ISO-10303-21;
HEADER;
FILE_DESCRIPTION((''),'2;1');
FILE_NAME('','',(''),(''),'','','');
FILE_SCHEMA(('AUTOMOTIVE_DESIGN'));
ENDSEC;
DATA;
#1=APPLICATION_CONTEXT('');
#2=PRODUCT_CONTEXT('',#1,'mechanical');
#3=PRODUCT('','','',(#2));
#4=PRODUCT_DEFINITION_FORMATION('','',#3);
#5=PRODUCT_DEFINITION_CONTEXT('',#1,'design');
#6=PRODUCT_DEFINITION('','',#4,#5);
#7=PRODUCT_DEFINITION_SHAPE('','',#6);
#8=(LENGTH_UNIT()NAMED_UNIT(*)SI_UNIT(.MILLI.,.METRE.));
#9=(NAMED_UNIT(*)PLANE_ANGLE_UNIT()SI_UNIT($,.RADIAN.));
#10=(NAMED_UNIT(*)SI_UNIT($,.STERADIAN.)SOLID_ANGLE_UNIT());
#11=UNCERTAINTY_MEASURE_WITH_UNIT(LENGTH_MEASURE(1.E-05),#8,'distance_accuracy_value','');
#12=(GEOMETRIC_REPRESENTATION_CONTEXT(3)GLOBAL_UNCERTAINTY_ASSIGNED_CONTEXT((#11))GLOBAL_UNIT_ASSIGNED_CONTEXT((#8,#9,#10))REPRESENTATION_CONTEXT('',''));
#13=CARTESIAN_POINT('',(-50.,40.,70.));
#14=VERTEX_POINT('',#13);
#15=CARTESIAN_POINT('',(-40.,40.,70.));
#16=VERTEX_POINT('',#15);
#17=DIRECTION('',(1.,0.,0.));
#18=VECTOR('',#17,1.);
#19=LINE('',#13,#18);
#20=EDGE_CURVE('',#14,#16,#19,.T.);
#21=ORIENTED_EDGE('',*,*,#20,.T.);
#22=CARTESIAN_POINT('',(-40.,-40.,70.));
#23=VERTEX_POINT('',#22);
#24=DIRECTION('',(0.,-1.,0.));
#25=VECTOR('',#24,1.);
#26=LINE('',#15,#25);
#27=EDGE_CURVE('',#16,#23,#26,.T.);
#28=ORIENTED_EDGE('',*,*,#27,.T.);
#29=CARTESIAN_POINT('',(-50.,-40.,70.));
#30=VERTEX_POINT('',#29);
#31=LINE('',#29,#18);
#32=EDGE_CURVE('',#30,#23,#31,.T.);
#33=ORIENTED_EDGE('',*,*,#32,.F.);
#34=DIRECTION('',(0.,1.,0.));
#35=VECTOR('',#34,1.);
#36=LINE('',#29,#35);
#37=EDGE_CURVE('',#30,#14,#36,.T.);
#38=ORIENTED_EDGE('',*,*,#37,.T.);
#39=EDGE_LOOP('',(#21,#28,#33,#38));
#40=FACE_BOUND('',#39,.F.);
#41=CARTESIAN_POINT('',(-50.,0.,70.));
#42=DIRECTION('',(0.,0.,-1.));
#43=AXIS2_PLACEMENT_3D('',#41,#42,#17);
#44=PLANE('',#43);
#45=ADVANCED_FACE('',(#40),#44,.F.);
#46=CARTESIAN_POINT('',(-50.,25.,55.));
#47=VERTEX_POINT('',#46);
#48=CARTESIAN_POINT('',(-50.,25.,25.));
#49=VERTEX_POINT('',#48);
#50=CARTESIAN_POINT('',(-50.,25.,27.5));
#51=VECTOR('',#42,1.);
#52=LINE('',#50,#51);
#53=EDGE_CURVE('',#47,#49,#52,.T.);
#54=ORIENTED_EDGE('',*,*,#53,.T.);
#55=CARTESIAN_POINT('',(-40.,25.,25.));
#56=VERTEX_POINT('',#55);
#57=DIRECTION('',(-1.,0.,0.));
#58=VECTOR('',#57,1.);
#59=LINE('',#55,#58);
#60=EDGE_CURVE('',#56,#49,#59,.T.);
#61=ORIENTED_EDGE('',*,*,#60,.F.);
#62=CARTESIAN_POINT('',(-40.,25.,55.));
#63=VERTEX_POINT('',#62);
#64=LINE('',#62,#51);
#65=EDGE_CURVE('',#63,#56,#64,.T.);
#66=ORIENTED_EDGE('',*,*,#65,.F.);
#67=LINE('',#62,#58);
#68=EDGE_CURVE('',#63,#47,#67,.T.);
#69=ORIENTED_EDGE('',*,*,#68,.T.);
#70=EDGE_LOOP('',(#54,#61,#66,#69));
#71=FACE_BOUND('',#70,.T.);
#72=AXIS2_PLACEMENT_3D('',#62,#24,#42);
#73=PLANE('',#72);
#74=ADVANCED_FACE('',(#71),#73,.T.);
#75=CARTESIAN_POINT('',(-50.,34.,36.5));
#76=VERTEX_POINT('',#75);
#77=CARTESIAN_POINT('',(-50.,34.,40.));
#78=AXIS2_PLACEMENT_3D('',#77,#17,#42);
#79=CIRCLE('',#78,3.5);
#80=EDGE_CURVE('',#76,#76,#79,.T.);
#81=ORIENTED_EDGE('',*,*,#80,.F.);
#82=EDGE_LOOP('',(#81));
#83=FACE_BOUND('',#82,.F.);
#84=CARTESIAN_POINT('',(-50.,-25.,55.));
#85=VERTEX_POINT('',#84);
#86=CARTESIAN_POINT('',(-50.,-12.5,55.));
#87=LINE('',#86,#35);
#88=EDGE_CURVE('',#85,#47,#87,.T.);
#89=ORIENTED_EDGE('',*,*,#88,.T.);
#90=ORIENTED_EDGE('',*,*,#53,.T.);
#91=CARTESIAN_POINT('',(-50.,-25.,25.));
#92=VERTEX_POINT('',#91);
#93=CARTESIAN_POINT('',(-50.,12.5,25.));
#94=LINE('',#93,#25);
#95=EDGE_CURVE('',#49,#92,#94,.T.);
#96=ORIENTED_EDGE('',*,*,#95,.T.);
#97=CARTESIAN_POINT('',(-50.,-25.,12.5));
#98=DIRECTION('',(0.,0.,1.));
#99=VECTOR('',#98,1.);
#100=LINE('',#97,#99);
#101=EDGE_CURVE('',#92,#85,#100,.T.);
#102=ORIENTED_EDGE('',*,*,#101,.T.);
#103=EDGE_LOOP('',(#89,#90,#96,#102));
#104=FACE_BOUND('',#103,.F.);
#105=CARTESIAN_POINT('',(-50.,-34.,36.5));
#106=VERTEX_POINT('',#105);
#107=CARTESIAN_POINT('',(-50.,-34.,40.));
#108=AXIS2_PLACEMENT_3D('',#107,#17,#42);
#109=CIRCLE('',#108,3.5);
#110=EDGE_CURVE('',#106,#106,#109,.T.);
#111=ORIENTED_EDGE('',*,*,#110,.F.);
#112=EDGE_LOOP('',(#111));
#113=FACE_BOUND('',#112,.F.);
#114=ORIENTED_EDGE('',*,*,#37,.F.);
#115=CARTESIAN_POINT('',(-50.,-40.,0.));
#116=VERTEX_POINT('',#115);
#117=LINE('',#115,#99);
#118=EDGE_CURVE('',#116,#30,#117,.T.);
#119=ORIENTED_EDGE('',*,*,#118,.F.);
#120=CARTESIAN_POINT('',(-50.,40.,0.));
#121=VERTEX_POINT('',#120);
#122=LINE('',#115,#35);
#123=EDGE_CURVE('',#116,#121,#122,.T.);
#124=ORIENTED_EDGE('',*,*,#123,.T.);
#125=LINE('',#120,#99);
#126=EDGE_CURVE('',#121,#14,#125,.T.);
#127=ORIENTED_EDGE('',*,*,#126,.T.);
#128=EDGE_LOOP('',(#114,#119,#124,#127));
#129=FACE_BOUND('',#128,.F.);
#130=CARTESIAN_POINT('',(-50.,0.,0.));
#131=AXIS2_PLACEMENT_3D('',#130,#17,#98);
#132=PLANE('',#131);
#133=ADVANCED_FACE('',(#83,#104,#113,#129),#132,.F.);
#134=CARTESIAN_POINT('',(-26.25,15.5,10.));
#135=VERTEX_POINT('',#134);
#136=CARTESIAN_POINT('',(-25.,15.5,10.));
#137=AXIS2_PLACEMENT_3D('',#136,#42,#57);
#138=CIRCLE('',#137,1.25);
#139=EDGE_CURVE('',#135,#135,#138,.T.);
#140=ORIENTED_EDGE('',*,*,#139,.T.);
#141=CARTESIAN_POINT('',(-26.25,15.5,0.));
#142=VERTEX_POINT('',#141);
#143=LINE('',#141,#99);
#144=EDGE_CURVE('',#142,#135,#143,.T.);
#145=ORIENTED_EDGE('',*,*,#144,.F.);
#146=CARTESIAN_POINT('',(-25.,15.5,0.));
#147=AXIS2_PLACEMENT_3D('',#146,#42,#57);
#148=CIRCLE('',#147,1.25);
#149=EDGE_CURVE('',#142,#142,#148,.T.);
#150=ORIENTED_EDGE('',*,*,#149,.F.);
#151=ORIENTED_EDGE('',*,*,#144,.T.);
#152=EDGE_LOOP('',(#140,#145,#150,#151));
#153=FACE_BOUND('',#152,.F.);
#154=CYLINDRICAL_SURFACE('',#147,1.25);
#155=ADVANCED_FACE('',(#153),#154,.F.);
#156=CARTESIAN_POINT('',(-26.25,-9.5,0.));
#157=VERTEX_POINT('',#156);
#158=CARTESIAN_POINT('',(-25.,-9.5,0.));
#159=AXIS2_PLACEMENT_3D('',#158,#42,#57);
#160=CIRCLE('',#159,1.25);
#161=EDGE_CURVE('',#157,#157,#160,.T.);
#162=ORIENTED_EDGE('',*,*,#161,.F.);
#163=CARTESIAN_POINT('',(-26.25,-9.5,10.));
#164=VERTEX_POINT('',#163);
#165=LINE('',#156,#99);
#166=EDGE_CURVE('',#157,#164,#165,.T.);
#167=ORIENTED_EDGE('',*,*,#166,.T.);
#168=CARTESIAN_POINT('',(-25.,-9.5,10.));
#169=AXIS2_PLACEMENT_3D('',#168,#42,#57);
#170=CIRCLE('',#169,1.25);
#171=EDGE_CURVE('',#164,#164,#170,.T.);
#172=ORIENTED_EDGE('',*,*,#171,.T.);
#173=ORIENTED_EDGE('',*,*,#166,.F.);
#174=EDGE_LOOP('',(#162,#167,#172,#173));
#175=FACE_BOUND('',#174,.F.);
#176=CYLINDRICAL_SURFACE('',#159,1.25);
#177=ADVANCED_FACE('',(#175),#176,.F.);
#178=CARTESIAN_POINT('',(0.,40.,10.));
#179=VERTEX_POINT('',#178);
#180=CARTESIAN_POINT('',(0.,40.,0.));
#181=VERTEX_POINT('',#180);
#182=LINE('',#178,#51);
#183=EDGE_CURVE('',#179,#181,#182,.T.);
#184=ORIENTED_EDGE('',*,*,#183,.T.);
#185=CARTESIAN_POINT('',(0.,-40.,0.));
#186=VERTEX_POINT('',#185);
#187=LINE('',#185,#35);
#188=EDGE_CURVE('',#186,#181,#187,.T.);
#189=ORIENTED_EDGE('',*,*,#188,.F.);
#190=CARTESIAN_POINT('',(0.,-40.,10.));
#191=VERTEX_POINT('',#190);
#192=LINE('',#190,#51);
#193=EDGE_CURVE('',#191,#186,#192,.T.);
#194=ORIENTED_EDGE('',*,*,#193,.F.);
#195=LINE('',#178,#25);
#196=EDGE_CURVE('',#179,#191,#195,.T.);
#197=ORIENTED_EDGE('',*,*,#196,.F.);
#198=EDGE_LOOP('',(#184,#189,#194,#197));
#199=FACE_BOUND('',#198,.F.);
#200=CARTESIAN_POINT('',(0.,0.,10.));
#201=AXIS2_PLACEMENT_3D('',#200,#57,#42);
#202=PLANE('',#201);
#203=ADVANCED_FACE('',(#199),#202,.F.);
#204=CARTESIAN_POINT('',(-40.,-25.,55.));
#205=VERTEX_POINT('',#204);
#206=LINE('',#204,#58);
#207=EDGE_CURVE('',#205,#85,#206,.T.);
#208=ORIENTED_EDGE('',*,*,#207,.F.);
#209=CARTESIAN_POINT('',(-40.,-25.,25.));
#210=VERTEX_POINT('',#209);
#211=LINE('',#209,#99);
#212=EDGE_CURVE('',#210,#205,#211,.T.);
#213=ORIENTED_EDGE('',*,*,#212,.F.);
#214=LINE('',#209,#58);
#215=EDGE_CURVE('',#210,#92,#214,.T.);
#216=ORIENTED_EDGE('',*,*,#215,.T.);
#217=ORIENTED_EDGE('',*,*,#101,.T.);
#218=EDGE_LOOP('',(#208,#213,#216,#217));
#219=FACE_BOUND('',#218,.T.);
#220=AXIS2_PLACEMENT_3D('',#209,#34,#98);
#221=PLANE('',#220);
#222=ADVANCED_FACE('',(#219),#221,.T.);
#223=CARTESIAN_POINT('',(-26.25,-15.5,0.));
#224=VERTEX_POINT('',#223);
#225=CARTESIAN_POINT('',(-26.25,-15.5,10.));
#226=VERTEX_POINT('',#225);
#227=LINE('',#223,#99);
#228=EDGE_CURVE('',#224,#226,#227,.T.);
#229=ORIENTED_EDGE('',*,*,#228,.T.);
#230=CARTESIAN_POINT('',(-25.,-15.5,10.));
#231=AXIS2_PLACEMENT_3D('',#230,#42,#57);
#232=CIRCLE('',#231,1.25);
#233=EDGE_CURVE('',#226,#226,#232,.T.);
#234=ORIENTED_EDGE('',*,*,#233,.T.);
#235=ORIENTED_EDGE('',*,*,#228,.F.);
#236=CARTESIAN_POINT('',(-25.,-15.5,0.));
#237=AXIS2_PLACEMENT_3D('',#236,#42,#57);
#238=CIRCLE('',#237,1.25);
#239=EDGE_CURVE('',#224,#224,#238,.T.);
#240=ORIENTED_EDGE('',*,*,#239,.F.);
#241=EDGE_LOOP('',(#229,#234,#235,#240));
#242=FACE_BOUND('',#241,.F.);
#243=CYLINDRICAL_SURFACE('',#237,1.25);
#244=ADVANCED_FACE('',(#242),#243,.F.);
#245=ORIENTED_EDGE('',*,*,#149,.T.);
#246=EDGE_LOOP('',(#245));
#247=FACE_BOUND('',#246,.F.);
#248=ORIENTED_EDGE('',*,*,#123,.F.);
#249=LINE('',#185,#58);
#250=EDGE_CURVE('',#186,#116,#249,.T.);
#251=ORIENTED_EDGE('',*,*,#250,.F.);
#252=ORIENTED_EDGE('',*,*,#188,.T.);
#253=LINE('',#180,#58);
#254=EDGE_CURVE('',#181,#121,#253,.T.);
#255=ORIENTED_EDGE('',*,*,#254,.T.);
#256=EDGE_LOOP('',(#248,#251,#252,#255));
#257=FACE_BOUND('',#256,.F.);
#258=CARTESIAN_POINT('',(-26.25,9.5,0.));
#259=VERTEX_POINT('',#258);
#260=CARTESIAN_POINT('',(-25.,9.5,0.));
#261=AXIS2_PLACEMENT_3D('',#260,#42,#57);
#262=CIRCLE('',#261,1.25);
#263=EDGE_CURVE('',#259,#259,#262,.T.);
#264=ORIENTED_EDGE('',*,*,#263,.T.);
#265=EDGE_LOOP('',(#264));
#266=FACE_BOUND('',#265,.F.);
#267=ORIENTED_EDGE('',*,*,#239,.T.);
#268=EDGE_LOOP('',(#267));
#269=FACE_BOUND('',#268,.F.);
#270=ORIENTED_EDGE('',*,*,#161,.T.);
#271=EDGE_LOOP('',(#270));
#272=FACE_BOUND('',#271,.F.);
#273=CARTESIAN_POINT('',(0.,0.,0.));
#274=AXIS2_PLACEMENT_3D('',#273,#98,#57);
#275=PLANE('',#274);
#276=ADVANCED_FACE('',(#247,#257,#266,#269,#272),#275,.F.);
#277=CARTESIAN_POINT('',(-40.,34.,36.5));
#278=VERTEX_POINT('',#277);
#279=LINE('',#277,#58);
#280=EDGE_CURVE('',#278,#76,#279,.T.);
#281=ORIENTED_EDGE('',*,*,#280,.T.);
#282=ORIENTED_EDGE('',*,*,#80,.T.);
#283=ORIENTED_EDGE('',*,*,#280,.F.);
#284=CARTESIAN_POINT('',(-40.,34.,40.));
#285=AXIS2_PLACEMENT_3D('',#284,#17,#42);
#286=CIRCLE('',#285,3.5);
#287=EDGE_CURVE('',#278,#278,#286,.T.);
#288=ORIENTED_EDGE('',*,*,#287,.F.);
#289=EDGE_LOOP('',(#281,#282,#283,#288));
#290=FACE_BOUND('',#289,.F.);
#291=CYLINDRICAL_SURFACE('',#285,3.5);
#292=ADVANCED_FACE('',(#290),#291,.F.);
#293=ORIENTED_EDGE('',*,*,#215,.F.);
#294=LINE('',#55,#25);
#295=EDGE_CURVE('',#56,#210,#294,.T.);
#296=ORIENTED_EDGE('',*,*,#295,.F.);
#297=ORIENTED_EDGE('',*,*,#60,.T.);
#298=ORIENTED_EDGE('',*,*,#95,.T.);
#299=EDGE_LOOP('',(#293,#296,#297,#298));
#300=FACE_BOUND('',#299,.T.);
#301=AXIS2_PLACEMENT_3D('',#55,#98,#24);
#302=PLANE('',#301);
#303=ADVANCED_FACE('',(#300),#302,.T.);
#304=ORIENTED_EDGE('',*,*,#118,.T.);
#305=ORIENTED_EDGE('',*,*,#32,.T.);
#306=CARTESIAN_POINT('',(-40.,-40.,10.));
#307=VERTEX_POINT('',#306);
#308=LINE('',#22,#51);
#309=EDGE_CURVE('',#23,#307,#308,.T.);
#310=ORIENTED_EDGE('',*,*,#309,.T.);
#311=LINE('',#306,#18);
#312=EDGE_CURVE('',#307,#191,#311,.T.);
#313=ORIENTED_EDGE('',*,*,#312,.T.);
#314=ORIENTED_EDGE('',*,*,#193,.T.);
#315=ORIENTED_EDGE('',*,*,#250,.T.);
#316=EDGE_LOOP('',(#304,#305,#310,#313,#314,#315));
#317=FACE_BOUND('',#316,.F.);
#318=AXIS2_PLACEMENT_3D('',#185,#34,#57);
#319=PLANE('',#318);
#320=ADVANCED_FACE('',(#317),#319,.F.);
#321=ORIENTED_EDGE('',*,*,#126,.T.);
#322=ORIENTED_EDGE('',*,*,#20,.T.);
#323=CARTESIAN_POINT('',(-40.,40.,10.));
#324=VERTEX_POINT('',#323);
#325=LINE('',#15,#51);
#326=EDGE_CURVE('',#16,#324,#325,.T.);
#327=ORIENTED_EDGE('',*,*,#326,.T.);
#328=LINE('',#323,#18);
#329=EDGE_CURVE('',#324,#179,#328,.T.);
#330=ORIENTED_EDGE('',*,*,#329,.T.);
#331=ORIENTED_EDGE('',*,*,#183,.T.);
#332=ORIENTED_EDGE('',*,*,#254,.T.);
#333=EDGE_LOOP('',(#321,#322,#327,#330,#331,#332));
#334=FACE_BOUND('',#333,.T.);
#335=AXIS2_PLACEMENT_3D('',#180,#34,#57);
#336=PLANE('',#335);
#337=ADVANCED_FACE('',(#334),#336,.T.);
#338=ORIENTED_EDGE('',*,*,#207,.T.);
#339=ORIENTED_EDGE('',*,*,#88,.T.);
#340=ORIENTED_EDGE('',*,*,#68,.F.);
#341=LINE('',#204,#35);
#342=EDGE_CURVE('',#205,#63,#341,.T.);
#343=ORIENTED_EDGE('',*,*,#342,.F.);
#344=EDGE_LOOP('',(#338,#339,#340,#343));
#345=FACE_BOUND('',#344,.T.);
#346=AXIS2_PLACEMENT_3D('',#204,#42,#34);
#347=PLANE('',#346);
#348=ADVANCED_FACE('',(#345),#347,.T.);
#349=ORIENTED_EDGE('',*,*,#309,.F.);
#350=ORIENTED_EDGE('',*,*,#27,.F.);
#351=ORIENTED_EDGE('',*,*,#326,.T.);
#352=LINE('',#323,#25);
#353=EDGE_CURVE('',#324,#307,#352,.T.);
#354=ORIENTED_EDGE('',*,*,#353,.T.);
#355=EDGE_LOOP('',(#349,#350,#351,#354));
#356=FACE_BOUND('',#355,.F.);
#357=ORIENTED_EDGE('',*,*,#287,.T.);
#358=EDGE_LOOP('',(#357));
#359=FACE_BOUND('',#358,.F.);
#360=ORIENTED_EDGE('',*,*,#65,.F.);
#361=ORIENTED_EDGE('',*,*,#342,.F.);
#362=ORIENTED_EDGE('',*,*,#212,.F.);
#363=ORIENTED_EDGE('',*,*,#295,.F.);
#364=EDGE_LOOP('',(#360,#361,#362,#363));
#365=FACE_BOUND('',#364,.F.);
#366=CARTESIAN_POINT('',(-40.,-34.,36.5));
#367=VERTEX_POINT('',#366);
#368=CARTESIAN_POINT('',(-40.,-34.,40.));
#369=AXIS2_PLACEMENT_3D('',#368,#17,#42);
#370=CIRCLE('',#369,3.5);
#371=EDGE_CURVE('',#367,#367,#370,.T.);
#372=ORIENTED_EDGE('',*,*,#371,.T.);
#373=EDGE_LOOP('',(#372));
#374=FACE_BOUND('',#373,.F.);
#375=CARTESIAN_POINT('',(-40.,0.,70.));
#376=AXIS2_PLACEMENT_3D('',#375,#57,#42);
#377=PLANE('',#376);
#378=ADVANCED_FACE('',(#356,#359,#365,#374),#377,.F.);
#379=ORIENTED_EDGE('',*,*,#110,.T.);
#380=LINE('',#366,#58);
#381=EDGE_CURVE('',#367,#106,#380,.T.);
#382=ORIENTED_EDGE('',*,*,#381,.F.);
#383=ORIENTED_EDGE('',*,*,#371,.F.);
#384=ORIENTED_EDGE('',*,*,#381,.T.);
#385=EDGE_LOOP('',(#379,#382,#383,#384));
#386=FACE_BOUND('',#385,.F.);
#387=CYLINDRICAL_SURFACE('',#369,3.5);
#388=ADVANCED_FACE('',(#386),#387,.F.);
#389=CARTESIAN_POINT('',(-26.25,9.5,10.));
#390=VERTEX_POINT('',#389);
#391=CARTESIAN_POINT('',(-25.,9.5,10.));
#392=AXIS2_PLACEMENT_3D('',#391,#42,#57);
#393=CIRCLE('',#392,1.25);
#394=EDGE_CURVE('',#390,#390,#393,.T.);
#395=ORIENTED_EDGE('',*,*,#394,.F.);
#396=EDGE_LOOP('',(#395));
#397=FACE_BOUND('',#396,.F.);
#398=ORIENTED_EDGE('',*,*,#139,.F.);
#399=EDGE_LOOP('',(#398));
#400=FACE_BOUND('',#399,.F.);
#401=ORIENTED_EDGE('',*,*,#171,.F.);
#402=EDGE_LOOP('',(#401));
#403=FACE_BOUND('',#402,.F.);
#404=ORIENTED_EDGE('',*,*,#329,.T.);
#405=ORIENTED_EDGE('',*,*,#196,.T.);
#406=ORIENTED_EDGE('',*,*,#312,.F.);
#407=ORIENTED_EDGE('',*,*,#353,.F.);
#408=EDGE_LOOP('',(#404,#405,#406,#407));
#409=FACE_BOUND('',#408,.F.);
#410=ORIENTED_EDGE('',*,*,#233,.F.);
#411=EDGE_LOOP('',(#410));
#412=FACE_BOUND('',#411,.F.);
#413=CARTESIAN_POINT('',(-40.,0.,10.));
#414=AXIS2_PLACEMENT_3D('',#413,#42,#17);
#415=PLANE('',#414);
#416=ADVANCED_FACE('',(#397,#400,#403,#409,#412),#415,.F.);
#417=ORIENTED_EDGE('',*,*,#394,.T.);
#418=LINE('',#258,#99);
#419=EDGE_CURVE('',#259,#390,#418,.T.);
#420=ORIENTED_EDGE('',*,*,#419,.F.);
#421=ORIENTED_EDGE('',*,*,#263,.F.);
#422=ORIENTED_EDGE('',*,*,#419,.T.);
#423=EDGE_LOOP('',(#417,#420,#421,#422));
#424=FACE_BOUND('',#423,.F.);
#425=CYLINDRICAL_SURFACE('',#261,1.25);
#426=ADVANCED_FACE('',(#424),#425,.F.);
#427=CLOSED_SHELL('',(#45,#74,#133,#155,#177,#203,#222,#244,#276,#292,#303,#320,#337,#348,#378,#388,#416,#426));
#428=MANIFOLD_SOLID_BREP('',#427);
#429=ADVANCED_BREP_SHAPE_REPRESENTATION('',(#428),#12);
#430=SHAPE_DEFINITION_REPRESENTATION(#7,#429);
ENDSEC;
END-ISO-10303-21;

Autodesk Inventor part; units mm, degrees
ref_plane "YZ Plane" through (0, 0, 0) normal (1, 0, 0) x (0, 1, 0)
ref_plane "XZ Plane" through (0, 0, 0) normal (0, 1, 0) x (-1, 0, 0)
ref_plane "XY Plane" through (0, 0, 0) normal (0, 0, 1) x (1, 0, 0)
sketch "Sketch1" plane through (0, 0, 0) normal (0, 1, 0) x (-1, 0, 0)
  line L0 (0, 0) -> (50, 0)
  line L1 (50, 0) -> (50, 3.3201)
  line L2 (40, 10) -> (0, 10)
  line L3 (0, 10) -> (0, 0)
  line L4 (50, 70) -> (40, 70)
  line L5 (40, 70) -> (40, 10)
  line L6 (50, 3.3201) -> (50, 70)
  dimension "d0" = 50
  dimension "d1" = 70
  dimension "d2" = 10
  dimension "d3" = 10
extrude "Extrusion1" add sketch "Sketch1" along normal mid plane 80
sketch "Sketch2" plane through (-40, -40, 10) normal (1, 0, 0) x (0, 0, -1)
  line L0 (-45, 65) -> (-15, 65)
  line L1 (-15, 65) -> (-15, 15)
  line L2 (-15, 15) -> (-45, 15)
  line L3 (-45, 15) -> (-45, 65)
  line L4 (-60, 80) -> (0, 80) projected
  line L5 (-60, 0) -> (-60, 80) projected
  point P0 (10, 40)
  dimension "d6" = 30
  dimension "d7" = 50
  dimension "d8" = 15
  dimension "d9" = 15
extrude "Extrusion2" cut sketch "Sketch2" against normal through all
sketch "Sketch3" plane through (-40, -40, 10) normal (1, 0, 0) x (0, 0, -1)
  circle A0 centre (-30, 74) radius 3.5
  circle A1 centre (-30, 6) radius 3.5
  line L0 (-60, 0) -> (-60, 80) projected
  line L1 (-60, 80) -> (0, 80) projected
  point P0 (10, 40)
  dimension "d12" = 7
  dimension "d13" = 7
  dimension "d14" = 30
  dimension "d15" = 68
  dimension "d16" = 6
  dimension "d17" = 30
extrude "Extrusion3" cut sketch "Sketch3" against normal through all
sketch "Sketch4" plane through (0, 40, 0) normal (0, 0, -1) x (-1, 0, 0)
  circle A0 centre (25, -24.5) radius 1.25
  circle A1 centre (25, -30.5) radius 1.25
  circle A2 centre (25, -49.5) radius 1.25
  circle A3 centre (25, -55.5) radius 1.25
  line L0 (0, -80) -> (0, 0) projected
  line L1 (50, -80) -> (0, -80) projected
  point P0 (0, -40)
  dimension "d20" = 2.5
  dimension "d21" = 31
  dimension "d22" = 19
  dimension "d23" = 6
  dimension "d24" = 6
  dimension "d25" = 25
  dimension "d26" = 24.5
  dimension "d32" = 2.5
  dimension "d33" = 2.5
  dimension "d34" = 2.5
  dimension "d35" = 55.5
  dimension "d36" = 49.5
extrude "Extrusion4" cut sketch "Sketch4" against normal through all
properties part number "L-bracket"
